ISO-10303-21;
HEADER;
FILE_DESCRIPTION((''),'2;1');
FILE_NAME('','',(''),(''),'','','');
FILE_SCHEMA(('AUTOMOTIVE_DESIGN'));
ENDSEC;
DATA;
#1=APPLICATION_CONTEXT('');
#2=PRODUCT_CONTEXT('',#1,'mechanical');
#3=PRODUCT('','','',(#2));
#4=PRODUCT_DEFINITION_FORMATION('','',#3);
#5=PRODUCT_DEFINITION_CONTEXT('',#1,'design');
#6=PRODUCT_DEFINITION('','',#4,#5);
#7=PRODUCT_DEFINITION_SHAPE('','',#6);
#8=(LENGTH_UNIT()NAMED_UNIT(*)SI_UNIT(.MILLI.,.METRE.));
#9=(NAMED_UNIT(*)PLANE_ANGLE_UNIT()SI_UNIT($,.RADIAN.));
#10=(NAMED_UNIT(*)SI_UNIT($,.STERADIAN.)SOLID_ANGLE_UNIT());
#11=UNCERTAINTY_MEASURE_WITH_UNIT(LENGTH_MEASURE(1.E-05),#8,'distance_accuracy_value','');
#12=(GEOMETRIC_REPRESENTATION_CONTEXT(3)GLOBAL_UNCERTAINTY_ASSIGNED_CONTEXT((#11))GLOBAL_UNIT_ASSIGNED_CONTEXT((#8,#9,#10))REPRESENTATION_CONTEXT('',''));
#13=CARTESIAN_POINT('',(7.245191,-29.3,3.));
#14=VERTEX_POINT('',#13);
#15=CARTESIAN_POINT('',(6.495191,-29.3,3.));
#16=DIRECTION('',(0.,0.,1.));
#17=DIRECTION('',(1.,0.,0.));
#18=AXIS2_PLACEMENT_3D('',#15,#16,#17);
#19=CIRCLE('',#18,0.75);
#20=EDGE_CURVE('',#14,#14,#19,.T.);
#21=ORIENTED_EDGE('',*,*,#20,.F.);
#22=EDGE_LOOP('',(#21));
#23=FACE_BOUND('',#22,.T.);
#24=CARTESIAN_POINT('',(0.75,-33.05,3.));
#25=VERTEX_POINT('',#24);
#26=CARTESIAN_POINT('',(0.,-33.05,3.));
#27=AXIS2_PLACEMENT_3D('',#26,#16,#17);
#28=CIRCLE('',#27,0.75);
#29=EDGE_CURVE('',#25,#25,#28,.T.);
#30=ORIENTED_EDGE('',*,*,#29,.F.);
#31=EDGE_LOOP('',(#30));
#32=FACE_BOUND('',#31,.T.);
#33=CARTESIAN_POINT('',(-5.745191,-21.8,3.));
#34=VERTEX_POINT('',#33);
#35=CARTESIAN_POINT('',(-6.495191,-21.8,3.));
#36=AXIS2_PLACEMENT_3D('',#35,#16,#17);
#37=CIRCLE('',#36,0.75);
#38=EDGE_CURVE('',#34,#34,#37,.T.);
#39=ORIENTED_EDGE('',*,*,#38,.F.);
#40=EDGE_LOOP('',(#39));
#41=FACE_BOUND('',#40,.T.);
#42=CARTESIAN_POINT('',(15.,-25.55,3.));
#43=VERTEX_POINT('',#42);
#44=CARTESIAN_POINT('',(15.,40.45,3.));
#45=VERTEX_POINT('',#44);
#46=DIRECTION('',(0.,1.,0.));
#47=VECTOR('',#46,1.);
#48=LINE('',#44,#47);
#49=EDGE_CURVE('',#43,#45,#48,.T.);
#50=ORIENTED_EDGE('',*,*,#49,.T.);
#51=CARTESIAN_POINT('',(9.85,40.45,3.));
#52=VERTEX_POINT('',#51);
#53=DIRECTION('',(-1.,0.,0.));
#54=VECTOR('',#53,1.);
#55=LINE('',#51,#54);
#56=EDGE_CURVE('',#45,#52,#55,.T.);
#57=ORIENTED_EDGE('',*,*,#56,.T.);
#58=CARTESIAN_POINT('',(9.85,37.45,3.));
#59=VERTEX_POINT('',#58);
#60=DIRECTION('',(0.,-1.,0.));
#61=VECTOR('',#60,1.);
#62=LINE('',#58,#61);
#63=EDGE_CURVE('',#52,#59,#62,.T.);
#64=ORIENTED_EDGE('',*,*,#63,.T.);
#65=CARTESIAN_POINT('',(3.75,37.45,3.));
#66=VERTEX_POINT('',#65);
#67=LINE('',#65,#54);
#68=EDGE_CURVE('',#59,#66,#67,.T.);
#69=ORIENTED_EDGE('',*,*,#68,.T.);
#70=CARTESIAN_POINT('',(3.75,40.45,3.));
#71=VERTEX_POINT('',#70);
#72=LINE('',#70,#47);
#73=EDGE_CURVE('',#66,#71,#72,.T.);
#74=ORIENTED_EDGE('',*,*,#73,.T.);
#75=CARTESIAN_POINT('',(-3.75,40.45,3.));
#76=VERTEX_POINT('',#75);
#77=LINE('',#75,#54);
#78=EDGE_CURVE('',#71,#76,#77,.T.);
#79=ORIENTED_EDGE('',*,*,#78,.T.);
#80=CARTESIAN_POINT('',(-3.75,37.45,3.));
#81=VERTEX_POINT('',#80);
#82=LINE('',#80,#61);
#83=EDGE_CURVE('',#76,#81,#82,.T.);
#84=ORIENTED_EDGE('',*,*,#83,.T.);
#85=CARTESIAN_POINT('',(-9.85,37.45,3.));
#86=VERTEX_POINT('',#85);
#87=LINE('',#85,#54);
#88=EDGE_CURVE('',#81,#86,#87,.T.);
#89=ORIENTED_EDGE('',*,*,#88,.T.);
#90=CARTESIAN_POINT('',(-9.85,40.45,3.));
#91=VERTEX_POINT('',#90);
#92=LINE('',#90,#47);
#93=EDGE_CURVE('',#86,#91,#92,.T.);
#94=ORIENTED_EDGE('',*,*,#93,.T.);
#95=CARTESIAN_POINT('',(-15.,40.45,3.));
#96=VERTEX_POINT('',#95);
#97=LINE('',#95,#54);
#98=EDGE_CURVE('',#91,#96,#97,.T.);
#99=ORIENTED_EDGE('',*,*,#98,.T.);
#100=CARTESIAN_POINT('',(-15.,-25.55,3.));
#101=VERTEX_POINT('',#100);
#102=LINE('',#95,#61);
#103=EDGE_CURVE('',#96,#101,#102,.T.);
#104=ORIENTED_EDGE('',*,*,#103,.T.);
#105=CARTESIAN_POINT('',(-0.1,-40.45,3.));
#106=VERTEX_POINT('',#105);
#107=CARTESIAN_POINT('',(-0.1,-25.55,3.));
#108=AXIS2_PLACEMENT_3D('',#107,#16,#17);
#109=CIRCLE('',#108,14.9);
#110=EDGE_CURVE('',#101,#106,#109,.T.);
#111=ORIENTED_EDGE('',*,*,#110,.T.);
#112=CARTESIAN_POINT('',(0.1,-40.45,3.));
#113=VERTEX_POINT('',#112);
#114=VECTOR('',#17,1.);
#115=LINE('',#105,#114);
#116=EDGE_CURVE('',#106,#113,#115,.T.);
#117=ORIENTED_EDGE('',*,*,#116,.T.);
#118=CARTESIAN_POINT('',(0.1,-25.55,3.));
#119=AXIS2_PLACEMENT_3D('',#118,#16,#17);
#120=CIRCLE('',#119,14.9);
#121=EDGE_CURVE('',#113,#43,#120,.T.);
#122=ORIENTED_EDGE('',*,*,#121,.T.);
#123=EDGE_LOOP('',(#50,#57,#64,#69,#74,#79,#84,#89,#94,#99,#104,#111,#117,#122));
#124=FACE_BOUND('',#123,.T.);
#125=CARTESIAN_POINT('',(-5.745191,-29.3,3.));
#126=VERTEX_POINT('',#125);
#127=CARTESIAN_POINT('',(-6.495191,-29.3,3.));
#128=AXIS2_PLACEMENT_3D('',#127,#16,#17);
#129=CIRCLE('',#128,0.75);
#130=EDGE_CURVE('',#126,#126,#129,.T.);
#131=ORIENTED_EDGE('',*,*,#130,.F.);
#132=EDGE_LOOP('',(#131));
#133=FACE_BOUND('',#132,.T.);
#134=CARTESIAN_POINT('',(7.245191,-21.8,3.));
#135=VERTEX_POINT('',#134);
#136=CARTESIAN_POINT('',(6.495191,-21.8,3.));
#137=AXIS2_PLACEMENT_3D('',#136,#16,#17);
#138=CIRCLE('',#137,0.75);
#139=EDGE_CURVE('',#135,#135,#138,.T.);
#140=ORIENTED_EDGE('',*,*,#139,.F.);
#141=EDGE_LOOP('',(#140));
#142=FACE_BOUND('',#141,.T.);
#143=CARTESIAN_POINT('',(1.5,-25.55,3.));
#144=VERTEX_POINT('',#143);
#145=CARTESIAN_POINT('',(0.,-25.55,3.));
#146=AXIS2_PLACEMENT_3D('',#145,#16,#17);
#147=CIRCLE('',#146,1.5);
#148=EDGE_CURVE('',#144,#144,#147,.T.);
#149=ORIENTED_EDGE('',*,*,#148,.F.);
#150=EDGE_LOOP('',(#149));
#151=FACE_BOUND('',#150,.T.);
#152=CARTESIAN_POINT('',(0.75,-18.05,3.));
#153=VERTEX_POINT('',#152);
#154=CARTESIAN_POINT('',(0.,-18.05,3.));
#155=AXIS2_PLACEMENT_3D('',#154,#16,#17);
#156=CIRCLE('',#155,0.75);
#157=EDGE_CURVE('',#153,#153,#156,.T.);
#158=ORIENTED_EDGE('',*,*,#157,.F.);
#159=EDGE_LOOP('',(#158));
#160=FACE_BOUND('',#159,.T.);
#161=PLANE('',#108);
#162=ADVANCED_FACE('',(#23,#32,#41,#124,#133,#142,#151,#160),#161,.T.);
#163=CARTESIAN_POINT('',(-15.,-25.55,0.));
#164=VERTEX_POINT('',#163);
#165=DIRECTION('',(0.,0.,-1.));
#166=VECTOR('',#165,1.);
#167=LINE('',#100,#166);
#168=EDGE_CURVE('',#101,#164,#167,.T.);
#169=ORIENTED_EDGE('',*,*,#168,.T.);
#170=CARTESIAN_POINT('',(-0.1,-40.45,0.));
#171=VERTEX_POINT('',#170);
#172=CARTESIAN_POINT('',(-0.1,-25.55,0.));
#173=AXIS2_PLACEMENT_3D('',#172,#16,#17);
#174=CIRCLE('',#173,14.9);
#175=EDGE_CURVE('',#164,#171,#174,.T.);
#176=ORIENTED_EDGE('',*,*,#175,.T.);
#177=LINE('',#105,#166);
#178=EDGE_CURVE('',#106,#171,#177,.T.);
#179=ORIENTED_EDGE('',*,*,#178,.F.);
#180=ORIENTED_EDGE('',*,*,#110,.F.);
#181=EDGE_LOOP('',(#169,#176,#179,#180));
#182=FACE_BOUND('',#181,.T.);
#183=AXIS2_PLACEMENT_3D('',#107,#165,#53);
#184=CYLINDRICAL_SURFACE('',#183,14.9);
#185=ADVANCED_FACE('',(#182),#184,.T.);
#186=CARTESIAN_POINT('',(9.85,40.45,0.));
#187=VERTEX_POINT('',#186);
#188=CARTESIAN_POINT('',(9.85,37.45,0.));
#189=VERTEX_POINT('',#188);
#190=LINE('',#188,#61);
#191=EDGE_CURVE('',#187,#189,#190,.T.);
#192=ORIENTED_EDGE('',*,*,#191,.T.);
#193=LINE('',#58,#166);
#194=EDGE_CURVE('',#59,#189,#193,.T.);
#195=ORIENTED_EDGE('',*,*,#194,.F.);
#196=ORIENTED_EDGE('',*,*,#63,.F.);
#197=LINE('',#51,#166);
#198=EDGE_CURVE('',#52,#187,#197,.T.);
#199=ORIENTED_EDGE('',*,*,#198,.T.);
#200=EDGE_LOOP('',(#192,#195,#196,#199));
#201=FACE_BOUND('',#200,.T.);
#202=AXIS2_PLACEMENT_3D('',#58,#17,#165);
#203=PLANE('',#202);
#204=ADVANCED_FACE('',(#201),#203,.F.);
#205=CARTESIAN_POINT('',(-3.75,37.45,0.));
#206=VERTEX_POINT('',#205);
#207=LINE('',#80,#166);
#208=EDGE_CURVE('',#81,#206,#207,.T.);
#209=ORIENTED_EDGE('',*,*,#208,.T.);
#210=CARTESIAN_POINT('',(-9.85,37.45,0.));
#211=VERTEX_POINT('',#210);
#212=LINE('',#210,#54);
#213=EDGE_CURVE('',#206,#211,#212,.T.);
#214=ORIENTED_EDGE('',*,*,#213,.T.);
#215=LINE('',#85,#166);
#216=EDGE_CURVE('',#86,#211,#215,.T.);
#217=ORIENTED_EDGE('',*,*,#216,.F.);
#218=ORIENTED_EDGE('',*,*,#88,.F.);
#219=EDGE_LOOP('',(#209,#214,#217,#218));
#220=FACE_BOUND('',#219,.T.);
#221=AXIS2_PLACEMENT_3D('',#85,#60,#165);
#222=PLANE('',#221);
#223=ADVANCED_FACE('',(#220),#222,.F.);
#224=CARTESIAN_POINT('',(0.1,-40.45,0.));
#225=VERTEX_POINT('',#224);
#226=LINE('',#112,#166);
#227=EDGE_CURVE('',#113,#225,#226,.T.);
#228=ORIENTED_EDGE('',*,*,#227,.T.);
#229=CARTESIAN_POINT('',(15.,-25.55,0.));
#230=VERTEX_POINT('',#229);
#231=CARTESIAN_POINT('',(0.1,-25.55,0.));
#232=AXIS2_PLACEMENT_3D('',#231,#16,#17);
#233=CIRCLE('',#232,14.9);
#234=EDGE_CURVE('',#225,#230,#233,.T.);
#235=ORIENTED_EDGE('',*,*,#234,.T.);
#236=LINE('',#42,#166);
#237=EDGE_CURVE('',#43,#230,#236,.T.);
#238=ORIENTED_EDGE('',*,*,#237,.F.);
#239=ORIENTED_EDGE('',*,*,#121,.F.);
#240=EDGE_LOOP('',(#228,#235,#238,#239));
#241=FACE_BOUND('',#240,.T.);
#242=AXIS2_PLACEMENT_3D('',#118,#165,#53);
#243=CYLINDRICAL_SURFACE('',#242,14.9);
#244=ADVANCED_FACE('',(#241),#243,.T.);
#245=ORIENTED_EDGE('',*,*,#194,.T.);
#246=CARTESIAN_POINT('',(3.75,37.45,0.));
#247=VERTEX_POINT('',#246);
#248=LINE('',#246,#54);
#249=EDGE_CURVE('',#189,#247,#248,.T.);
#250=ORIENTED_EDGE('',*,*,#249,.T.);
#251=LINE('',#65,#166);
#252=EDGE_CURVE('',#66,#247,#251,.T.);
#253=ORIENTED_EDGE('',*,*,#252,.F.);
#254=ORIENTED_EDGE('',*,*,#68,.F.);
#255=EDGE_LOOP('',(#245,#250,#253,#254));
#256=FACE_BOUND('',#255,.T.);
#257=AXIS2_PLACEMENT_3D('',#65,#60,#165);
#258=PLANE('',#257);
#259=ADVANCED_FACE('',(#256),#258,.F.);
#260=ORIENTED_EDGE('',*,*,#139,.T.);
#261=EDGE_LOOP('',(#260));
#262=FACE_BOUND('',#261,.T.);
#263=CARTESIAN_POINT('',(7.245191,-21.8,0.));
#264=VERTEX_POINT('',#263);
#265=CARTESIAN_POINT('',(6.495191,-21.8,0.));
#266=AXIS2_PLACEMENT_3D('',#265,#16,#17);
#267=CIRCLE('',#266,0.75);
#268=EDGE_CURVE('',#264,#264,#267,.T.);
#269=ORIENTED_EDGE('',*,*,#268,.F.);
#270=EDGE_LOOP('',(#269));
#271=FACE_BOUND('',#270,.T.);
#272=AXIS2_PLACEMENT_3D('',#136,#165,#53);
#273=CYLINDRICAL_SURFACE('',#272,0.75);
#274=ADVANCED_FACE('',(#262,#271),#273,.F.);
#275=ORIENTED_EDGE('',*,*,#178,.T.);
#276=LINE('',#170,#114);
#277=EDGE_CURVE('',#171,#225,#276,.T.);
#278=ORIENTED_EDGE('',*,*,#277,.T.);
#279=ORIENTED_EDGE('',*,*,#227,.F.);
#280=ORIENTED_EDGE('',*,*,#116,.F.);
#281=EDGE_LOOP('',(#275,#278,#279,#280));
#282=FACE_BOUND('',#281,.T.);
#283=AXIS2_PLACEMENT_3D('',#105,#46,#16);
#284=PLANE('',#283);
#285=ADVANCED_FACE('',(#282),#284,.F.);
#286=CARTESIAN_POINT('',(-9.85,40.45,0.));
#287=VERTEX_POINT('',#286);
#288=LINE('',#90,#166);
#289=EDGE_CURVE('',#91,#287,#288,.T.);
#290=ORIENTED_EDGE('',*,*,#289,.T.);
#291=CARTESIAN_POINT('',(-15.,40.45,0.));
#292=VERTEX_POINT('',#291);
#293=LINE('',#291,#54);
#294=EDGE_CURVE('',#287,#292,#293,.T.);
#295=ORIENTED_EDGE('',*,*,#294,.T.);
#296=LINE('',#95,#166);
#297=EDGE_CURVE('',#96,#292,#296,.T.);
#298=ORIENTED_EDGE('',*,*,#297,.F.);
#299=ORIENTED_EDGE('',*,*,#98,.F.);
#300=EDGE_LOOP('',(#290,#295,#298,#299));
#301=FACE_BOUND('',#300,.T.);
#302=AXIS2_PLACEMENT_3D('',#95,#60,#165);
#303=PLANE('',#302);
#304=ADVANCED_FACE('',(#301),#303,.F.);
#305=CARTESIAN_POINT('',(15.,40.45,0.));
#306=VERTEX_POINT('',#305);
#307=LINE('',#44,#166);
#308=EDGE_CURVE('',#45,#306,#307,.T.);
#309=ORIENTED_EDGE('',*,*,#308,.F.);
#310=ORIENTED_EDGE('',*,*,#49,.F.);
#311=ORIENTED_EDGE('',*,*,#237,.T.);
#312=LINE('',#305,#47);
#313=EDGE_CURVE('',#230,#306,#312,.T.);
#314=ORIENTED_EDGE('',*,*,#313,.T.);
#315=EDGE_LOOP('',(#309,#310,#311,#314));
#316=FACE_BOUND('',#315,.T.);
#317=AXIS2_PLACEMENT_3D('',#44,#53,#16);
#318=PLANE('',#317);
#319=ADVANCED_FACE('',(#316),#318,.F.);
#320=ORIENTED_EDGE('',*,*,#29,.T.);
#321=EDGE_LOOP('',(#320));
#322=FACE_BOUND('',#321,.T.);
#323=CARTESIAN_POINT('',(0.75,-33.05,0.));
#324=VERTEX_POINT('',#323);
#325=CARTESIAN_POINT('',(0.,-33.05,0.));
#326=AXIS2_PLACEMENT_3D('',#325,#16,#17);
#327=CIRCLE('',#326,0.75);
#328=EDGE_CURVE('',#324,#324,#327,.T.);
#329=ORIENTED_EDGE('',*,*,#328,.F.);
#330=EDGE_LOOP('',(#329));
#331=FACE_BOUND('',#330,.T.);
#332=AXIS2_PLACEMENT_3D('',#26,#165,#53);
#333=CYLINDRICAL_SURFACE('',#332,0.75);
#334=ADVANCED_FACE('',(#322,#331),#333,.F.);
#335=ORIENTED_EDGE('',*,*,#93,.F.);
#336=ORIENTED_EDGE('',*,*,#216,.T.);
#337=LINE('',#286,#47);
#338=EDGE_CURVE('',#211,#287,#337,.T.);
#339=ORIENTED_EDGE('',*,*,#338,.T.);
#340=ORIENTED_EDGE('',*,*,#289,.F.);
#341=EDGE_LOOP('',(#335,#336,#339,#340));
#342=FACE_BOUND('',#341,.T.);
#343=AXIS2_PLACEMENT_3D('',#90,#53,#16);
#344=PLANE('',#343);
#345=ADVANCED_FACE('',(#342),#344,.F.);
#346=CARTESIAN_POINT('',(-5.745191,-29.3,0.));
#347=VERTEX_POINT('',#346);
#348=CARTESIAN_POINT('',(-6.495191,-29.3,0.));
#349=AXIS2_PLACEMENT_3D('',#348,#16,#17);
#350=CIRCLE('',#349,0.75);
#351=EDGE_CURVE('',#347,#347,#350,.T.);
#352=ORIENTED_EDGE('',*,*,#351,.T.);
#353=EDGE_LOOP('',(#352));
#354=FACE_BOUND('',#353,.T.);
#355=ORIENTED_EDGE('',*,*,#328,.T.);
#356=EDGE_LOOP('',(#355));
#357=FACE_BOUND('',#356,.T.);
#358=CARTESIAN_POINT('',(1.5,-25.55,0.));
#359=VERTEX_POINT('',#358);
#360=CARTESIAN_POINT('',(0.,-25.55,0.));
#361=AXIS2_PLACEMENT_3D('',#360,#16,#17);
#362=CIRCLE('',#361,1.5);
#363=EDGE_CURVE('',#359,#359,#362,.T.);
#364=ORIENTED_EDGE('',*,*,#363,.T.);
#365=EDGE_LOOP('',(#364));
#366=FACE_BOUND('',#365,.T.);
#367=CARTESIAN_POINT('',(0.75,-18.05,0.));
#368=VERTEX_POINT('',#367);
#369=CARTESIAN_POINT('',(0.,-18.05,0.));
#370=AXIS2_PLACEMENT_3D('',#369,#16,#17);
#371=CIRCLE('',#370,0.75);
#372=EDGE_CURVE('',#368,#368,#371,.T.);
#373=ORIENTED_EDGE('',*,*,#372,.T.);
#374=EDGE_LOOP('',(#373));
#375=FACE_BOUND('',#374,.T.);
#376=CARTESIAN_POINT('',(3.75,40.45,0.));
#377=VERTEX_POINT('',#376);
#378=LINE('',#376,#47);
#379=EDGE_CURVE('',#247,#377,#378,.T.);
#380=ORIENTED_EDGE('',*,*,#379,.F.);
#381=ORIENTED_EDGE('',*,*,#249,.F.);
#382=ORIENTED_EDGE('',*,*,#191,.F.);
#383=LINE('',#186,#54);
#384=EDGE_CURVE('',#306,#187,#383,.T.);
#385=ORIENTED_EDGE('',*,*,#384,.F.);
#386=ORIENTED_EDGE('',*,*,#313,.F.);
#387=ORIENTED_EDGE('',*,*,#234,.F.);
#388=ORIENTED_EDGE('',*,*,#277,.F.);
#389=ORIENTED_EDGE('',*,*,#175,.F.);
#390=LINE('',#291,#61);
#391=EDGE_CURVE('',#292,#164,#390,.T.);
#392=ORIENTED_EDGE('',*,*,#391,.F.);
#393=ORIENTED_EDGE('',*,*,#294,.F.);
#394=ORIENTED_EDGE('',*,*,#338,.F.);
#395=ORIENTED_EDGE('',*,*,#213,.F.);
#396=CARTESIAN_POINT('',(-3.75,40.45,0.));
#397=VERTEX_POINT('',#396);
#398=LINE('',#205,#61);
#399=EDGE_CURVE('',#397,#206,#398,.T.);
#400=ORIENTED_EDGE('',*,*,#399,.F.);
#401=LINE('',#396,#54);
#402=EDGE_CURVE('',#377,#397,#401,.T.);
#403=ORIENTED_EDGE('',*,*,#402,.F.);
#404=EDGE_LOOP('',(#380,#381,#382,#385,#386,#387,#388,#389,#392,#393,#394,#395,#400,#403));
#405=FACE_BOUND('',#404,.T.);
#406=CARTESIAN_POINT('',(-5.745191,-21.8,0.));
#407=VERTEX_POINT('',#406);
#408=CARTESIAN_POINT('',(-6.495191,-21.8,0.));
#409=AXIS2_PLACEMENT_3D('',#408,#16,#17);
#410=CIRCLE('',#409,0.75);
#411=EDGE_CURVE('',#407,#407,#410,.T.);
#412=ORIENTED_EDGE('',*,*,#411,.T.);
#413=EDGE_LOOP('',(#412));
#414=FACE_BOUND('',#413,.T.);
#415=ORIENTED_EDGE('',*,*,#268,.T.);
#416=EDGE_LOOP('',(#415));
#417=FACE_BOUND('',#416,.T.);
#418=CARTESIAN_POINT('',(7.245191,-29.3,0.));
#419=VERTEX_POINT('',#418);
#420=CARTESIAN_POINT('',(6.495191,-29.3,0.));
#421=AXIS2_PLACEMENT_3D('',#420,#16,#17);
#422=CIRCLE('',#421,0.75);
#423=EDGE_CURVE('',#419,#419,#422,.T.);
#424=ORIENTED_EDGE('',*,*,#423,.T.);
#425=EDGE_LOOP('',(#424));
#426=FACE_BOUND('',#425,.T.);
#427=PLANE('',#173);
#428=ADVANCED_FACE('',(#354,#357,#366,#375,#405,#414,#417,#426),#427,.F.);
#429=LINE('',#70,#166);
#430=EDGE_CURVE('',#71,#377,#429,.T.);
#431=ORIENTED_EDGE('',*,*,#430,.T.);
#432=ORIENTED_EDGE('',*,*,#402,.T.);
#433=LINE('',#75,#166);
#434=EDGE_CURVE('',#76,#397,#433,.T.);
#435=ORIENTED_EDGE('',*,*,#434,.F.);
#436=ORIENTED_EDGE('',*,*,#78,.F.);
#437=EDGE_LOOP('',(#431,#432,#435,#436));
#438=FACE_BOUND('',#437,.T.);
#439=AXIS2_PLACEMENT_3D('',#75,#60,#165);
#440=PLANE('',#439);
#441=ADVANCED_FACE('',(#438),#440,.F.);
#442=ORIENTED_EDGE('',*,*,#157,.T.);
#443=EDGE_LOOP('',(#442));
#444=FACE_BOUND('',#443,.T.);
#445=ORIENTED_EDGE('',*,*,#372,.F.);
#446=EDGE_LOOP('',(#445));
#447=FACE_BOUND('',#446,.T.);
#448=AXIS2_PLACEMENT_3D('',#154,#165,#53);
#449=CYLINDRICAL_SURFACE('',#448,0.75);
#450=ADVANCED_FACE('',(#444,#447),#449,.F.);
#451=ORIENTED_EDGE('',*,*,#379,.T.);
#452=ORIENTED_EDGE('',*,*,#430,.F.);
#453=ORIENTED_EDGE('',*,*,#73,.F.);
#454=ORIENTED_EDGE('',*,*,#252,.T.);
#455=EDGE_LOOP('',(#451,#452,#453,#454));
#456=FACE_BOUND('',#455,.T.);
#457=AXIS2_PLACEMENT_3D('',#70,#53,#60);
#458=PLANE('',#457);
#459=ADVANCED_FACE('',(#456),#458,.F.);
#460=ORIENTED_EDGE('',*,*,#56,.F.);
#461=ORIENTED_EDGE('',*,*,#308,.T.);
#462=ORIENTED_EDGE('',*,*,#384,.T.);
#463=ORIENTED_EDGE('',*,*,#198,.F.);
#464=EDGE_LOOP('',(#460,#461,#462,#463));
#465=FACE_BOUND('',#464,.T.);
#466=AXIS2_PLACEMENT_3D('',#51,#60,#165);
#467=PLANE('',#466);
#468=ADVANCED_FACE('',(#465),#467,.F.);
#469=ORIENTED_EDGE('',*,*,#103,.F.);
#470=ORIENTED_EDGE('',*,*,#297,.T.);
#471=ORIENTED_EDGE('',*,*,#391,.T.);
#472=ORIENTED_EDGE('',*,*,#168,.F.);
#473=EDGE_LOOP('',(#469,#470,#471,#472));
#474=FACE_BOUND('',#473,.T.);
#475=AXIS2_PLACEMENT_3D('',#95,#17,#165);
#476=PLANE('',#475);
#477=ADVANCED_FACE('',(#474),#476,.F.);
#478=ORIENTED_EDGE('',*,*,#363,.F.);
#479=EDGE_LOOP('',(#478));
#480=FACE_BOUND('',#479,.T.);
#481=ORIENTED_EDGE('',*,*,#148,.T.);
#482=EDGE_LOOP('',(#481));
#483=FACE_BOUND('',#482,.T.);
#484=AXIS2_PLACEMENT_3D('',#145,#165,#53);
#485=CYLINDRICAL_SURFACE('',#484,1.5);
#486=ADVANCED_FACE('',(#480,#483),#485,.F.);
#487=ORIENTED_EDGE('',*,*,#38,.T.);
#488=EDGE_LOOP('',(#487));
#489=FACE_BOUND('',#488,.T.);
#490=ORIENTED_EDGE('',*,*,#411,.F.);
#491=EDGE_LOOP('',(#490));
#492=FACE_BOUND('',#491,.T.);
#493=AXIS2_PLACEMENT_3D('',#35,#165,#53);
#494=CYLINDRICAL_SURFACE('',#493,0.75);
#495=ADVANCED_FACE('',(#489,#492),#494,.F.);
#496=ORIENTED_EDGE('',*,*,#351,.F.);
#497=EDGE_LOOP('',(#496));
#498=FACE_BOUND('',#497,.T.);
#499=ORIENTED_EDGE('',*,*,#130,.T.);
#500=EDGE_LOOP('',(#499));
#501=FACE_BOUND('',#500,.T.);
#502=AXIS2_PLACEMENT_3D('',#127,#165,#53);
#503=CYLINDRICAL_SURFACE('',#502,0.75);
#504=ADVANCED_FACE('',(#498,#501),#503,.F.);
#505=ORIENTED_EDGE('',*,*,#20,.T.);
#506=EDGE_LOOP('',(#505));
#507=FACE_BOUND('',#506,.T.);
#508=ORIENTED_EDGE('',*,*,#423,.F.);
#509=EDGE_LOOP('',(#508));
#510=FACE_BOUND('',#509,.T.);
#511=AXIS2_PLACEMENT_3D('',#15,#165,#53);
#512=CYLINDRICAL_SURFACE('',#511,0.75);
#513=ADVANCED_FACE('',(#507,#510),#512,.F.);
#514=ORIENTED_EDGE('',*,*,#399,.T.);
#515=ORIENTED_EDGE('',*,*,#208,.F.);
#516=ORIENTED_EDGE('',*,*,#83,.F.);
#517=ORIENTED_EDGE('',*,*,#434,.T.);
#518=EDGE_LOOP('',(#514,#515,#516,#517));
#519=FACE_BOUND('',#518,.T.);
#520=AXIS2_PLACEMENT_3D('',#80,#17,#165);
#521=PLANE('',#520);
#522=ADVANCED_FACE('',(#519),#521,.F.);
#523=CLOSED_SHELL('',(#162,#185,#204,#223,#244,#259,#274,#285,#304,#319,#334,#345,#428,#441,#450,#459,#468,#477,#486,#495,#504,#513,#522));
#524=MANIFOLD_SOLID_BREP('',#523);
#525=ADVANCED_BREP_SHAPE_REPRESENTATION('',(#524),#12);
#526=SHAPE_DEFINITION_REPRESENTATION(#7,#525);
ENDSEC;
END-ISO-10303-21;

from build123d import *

# Parameters (mm, degrees)
SKETCH2_R           = 0.75
SKETCH2_R_2         = 1.5
BOSS_EXTRUDE1_DEPTH = 3


with BuildPart() as part:
    # Sketch2 → Boss-Extrude1 (new body)
    with BuildSketch(Plane.XY):
        with BuildLine():
            Line((-9.85, 40.45), (-9.85, 37.45))
            Line((-9.85, 37.45), (-3.75, 37.45))
            Line((-3.75, 37.45), (-3.75, 40.45))
            Line((-3.75, 40.45), (3.75, 40.45))
            Line((3.75, 40.45), (3.75, 37.45))
            Line((3.75, 37.45), (9.85, 37.45))
            Line((9.85, 37.45), (9.85, 40.45))
            Line((9.85, 40.45), (15, 40.45))
            Line((15, 40.45), (15, -25.55))
            ThreePointArc((15, -25.55), (10.63589104, -36.08589104), (0.1, -40.45))
            Line((0.1, -40.45), (-0.1, -40.45))
            ThreePointArc((-0.1, -40.45), (-10.63589104, -36.08589104), (-15, -25.55))
            Line((-15, -25.55), (-15, 40.45))
            Line((-15, 40.45), (-9.85, 40.45))
        make_face()
        with Locations((0, -18.05)):
            Circle(SKETCH2_R, mode=Mode.SUBTRACT)
        with Locations((6.495190528, -21.8)):
            Circle(SKETCH2_R, mode=Mode.SUBTRACT)
        with Locations((6.495190528, -29.3)):
            Circle(SKETCH2_R, mode=Mode.SUBTRACT)
        with Locations((0, -33.05)):
            Circle(SKETCH2_R, mode=Mode.SUBTRACT)
        with Locations((-6.495190528, -29.3)):
            Circle(SKETCH2_R, mode=Mode.SUBTRACT)
        with Locations((-6.495190528, -21.8)):
            Circle(SKETCH2_R, mode=Mode.SUBTRACT)
        with Locations((0, -25.55)):
            Circle(SKETCH2_R_2, mode=Mode.SUBTRACT)
    extrude(amount=BOSS_EXTRUDE1_DEPTH)


solid = part.part
